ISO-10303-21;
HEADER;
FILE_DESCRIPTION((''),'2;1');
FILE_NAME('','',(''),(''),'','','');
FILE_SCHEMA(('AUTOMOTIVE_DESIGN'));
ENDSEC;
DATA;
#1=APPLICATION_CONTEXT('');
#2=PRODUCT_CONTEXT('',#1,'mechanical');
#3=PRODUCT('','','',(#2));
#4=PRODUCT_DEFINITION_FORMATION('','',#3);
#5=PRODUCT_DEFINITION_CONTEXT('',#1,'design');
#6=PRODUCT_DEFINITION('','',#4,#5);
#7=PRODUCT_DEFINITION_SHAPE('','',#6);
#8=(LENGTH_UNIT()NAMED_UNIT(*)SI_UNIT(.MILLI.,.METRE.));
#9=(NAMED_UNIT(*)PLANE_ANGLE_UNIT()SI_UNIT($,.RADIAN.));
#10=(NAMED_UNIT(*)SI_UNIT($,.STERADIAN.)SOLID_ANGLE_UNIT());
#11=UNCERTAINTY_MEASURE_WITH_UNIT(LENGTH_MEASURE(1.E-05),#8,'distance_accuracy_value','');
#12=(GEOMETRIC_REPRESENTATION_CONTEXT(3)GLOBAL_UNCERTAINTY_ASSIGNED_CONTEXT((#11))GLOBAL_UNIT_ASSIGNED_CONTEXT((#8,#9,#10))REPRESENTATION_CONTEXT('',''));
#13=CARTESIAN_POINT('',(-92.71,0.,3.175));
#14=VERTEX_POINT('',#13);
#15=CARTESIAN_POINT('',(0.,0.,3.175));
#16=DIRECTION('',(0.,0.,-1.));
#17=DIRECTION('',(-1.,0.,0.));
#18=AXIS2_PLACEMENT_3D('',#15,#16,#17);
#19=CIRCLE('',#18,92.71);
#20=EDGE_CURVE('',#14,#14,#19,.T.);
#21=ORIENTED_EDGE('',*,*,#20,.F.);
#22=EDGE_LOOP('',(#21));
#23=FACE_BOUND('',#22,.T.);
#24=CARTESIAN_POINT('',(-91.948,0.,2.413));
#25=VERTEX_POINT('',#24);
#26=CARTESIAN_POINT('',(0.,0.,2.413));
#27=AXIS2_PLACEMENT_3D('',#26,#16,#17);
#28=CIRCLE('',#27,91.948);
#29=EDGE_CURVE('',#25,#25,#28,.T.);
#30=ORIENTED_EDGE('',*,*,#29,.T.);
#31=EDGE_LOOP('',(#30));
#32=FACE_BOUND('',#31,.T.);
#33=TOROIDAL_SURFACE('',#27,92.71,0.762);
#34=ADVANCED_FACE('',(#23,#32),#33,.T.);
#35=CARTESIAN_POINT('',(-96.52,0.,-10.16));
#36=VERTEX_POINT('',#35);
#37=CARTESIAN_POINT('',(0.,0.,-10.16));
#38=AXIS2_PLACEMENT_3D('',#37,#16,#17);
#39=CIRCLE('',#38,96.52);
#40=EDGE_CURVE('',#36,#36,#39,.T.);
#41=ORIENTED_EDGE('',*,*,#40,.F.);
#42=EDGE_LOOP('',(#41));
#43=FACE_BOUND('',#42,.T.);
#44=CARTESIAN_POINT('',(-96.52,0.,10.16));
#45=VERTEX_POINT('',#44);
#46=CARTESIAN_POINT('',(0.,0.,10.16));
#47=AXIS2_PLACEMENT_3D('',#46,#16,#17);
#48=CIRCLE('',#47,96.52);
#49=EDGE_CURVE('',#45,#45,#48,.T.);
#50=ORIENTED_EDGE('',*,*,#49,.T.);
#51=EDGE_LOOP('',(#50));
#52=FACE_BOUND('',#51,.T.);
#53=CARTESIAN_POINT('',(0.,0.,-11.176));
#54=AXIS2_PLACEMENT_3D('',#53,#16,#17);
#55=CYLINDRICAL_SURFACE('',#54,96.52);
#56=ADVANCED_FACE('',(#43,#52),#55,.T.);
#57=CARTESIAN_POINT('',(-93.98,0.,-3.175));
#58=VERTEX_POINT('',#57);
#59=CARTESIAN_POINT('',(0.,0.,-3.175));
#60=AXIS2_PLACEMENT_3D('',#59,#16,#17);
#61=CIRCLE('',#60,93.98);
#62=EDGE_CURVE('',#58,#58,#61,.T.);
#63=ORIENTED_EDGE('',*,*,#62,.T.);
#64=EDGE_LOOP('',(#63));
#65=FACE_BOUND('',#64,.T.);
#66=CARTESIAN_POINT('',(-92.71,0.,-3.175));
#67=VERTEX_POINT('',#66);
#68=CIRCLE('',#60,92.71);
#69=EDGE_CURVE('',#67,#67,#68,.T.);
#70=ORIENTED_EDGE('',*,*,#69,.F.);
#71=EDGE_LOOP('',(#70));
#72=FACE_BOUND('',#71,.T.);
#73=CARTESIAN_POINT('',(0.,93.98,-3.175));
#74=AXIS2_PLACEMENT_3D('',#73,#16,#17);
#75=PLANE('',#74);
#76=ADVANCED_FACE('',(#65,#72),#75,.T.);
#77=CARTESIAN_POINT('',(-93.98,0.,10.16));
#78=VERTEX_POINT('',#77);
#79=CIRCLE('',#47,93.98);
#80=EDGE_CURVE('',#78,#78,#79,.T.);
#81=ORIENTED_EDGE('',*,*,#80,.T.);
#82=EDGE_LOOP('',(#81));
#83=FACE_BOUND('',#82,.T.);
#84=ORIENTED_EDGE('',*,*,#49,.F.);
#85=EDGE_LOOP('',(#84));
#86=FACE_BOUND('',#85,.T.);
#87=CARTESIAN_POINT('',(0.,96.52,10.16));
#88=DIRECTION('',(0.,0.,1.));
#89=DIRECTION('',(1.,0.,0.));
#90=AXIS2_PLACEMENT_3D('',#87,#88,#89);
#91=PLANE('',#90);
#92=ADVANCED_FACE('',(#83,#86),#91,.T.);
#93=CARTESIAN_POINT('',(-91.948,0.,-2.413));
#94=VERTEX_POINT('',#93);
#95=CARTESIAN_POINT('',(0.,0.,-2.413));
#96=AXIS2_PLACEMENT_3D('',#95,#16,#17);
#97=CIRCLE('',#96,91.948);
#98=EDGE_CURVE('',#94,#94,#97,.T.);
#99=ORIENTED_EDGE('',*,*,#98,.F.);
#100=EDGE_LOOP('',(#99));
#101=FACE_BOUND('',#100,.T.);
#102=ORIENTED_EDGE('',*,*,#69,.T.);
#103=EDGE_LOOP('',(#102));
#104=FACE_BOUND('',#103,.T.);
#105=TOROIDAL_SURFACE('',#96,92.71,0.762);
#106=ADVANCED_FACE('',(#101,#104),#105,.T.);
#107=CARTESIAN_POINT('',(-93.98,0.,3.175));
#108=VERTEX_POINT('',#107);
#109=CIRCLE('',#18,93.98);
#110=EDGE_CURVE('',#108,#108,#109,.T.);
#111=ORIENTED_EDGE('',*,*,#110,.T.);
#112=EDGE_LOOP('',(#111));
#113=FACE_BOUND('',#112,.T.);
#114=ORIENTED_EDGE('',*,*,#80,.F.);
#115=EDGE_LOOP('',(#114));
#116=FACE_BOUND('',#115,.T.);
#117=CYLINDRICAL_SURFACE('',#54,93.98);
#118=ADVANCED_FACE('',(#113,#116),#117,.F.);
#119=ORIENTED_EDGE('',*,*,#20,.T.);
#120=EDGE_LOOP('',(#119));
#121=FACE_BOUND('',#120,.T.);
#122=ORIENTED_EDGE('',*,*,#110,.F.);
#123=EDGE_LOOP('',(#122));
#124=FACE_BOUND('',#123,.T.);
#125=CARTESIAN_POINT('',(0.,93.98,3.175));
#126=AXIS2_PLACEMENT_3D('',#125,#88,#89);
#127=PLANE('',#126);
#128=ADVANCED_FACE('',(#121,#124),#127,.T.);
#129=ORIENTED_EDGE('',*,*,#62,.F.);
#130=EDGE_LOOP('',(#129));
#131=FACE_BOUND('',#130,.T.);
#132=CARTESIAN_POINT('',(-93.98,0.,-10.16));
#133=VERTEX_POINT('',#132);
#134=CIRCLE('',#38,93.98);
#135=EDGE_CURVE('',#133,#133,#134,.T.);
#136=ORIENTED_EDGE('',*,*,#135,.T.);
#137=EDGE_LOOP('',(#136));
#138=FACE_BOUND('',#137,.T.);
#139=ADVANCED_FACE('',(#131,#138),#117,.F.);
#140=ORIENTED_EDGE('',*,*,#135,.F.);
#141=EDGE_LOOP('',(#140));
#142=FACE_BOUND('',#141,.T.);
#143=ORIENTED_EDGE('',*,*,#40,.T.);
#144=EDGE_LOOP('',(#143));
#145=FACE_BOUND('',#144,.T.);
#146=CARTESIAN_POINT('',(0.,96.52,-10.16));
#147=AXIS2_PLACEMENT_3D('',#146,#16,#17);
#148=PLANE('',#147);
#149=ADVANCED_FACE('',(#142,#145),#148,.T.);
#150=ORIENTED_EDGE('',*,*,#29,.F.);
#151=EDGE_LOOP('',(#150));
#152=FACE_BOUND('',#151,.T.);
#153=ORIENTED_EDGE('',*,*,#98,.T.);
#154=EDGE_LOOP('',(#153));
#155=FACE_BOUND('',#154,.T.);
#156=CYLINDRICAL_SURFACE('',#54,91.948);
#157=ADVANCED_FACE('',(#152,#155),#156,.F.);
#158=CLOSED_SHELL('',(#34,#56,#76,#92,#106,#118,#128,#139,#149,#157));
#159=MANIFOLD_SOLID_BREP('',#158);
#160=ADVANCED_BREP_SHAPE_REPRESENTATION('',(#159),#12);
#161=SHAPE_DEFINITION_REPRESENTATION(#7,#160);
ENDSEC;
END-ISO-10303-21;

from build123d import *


with BuildPart() as part:
    # Sketch2 → Revolve1 (revolve)
    with BuildSketch(Plane(origin=(0, 0, 0), x_dir=(0, 0, -1), z_dir=(1, 0, 0)), mode=Mode.PRIVATE) as revolve1_sk:
        with BuildLine():
            Line((-3.175, 93.98), (-3.175, 92.71))
            ThreePointArc((-3.175, 92.71), (-2.951815367, 92.171184633), (-2.413, 91.948))
            Line((-2.413, 91.948), (2.413, 91.948))
            ThreePointArc((2.413, 91.948), (2.951815367, 92.171184633), (3.175, 92.71))
            Line((3.175, 92.71), (3.175, 93.98))
            Line((3.175, 93.98), (10.16, 93.98))
            Line((10.16, 93.98), (10.16, 96.52))
            Line((10.16, 96.52), (-10.16, 96.52))
            Line((-10.16, 96.52), (-10.16, 93.98))
            Line((-10.16, 93.98), (-3.175, 93.98))
        make_face()
    revolve(revolve1_sk.sketch.rotate(Axis((0, 0, -11.176), (0, 0, 1)), 90), axis=Axis((0, 0, -11.176), (0, 0, 1)))


solid = part.part
